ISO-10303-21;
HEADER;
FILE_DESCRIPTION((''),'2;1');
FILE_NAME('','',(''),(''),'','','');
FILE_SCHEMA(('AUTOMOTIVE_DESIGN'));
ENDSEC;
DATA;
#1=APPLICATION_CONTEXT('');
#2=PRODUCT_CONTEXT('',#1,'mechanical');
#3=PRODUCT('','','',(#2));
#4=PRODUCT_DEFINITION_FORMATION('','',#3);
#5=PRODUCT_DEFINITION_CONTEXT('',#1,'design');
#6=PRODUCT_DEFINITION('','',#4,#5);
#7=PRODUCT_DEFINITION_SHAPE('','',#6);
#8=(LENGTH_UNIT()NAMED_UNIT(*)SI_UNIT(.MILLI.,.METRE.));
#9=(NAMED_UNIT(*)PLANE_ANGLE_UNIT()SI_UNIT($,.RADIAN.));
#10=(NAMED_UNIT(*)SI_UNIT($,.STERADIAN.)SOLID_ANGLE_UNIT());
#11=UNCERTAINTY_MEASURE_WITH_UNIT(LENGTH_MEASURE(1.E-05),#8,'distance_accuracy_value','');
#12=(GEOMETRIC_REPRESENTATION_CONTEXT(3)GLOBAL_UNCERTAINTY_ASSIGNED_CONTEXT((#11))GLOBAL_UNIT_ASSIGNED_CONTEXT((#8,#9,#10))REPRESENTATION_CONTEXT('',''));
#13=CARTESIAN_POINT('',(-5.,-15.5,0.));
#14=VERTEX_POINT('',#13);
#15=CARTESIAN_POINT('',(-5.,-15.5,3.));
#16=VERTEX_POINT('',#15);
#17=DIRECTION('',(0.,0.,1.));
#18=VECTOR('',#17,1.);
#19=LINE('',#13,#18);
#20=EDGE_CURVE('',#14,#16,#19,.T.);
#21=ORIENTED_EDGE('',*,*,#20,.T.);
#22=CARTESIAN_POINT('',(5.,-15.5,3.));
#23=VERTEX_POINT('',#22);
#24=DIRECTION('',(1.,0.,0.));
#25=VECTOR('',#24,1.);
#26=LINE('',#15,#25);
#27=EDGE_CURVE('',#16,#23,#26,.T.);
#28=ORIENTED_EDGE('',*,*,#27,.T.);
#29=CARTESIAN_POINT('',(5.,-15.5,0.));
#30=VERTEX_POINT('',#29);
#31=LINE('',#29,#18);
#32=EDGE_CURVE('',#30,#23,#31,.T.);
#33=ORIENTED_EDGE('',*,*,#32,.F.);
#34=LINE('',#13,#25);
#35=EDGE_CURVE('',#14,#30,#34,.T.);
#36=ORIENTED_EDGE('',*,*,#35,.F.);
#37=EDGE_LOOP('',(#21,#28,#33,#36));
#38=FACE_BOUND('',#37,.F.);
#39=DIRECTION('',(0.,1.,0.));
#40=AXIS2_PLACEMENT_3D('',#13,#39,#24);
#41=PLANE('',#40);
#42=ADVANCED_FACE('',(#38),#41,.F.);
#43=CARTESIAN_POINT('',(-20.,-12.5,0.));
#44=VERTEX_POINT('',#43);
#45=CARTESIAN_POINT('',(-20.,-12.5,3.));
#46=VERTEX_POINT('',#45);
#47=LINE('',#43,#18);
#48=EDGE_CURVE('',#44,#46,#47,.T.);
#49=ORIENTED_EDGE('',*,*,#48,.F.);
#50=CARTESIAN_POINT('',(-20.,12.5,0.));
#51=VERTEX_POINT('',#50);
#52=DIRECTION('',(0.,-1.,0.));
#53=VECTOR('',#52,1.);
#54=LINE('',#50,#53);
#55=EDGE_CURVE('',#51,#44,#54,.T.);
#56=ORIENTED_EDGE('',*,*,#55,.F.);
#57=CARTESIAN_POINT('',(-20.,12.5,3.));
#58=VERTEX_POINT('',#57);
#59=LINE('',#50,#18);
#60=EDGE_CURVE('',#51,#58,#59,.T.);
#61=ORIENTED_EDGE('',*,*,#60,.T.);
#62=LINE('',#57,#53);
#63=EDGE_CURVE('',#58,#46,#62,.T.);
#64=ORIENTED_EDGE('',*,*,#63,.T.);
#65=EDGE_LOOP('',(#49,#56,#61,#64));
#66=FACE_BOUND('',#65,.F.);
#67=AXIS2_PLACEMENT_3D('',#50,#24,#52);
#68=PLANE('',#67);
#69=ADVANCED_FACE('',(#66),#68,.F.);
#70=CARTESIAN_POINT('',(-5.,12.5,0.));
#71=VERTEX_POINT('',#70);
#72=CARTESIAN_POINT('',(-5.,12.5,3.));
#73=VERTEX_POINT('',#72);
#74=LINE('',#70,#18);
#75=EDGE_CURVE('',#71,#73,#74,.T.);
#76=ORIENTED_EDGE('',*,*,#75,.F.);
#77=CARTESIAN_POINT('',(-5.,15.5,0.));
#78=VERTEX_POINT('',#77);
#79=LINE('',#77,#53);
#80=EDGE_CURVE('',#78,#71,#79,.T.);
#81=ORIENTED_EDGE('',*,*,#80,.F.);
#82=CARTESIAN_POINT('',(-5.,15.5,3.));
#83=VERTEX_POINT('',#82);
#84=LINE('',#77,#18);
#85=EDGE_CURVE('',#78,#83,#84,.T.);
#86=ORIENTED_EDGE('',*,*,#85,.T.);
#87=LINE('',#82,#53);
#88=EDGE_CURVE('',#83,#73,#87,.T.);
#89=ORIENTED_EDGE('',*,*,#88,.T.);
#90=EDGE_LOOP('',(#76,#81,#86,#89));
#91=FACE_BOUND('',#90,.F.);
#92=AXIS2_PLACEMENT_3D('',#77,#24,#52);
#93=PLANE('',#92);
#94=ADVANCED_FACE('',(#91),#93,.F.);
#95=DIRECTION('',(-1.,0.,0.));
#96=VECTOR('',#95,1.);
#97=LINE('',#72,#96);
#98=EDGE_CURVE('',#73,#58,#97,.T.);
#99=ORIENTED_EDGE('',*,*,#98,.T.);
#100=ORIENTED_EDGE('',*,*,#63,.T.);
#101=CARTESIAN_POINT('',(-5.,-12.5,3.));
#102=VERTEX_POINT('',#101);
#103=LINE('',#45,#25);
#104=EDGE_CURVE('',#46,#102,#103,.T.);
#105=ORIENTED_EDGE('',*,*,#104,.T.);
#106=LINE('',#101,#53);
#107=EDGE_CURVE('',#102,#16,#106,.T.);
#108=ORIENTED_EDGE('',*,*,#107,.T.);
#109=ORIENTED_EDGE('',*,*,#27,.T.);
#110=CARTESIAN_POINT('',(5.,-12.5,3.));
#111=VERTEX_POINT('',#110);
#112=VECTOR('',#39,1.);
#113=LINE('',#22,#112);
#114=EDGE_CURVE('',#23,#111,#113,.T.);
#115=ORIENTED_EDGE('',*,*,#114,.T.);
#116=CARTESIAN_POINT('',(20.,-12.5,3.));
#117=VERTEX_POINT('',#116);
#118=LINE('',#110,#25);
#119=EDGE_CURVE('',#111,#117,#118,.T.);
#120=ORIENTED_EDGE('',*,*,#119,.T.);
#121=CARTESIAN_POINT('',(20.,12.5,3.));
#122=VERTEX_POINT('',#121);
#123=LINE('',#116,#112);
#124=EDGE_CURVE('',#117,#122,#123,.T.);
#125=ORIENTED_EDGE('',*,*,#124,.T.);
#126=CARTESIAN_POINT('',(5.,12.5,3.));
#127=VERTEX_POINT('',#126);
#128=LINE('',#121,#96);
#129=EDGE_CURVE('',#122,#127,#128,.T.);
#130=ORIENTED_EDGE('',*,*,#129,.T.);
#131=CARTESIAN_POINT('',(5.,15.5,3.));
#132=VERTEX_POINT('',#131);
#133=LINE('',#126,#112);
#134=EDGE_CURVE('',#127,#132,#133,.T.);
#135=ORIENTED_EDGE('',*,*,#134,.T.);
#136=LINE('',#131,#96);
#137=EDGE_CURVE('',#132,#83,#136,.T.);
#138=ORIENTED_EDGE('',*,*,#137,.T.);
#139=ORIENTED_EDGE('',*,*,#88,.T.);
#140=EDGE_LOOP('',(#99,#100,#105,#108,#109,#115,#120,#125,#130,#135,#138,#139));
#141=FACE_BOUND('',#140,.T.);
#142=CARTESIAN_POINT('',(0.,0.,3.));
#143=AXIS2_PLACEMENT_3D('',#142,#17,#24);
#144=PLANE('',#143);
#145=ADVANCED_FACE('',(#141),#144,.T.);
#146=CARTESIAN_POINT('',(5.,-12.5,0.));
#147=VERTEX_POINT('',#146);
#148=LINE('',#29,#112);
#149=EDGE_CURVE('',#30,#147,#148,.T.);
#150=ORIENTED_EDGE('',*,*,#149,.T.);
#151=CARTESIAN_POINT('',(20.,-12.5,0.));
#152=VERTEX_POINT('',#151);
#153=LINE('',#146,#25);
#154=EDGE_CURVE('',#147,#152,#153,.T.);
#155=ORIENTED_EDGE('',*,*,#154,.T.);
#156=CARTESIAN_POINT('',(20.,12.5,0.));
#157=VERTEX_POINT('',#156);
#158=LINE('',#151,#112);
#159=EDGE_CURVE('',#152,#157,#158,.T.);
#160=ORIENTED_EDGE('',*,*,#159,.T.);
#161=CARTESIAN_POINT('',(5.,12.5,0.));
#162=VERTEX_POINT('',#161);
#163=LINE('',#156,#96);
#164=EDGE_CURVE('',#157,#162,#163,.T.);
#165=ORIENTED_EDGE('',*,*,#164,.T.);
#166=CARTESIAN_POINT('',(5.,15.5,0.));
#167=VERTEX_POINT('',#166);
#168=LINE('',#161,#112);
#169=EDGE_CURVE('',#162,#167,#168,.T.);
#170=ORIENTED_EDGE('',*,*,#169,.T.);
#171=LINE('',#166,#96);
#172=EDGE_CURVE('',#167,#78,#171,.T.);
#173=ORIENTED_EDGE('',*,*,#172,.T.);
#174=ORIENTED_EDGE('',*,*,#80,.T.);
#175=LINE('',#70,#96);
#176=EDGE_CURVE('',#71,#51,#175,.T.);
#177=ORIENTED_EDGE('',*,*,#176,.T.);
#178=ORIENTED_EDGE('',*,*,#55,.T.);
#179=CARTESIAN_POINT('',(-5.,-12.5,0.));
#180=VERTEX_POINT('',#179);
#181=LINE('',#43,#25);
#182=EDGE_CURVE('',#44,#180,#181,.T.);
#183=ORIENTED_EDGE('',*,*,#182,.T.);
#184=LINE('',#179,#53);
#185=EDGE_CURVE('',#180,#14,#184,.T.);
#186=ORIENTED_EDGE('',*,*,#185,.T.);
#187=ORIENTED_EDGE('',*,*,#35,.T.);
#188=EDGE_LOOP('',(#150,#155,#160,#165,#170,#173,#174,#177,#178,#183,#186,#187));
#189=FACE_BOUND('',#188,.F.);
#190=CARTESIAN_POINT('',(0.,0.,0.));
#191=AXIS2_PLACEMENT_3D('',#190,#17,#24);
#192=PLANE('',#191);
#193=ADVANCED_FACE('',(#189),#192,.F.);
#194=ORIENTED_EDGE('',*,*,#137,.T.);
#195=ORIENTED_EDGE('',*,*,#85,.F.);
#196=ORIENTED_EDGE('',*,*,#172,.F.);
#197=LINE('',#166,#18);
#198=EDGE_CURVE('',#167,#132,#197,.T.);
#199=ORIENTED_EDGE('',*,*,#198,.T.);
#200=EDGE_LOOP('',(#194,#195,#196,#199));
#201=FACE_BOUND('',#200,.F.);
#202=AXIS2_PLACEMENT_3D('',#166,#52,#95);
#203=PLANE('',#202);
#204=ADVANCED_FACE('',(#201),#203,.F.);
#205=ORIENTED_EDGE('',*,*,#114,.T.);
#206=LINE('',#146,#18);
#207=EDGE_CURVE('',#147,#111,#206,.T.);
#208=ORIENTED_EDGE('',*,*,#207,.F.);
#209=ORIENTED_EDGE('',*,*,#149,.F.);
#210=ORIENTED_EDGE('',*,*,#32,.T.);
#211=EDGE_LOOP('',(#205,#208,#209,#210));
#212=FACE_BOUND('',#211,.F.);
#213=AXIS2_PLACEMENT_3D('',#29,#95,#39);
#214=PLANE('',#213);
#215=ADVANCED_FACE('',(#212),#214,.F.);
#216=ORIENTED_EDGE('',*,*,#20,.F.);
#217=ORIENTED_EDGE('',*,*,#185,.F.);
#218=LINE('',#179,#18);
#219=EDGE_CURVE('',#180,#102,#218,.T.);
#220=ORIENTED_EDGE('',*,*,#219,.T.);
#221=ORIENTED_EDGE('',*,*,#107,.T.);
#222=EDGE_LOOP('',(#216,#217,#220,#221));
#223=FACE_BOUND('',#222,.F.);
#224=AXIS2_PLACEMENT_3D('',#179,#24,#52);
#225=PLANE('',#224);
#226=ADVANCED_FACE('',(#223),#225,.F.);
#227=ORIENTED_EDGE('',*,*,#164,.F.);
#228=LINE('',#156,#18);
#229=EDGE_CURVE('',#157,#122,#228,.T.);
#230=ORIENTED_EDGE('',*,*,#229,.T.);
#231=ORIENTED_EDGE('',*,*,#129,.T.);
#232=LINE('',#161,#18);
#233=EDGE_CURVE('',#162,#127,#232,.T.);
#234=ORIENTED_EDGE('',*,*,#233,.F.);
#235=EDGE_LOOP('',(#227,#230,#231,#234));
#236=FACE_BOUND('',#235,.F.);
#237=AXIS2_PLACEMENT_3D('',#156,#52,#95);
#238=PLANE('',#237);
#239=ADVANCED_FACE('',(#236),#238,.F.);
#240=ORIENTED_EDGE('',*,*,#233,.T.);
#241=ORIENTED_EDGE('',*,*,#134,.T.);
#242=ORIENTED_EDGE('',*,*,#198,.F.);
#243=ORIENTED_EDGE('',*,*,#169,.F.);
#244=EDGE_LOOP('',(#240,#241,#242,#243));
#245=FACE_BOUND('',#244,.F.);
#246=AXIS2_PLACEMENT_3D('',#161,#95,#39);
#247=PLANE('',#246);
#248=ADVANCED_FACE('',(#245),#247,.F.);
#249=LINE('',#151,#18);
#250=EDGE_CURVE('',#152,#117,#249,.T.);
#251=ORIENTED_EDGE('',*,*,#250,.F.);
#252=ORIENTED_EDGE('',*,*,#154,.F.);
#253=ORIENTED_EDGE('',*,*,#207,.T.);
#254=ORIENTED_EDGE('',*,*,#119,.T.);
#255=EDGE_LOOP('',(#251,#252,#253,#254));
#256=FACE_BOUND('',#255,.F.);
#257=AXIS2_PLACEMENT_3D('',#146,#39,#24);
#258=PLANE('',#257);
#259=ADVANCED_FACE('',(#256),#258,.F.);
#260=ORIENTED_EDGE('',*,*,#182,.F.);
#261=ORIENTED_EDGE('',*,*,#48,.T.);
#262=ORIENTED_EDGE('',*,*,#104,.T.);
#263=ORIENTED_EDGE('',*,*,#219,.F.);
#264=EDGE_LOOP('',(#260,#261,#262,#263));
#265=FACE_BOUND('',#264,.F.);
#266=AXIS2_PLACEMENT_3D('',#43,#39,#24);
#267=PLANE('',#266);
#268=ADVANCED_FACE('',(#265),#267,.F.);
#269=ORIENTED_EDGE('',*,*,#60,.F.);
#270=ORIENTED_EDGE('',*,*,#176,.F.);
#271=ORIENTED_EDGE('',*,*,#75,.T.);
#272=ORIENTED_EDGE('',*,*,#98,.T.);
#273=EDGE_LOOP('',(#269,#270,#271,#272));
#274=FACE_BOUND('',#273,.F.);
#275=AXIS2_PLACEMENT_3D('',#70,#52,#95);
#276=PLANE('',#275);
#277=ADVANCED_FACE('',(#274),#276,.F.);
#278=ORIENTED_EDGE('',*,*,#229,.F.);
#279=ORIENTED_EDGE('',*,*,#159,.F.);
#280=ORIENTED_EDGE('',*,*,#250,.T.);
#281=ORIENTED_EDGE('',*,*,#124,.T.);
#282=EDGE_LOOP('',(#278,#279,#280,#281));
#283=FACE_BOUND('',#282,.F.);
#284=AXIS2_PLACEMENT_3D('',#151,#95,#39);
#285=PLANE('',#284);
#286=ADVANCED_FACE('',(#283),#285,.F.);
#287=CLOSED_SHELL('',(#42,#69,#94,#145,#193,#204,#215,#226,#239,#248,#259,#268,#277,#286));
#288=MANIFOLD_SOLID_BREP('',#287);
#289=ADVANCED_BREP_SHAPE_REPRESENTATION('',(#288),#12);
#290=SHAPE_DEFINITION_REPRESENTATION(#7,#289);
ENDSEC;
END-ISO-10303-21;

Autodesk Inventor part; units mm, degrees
ref_plane "YZ Plane" through (0, 0, 0) normal (1, 0, 0) x (0, 1, 0)
ref_plane "XZ Plane" through (0, 0, 0) normal (0, 1, 0) x (-1, 0, 0)
ref_plane "XY Plane" through (0, 0, 0) normal (0, 0, 1) x (1, 0, 0)
sketch "Boceto1" plane through (0, 0, 0) normal (0, 0, 1) x (1, 0, 0)
  line L0 (20, 12.5) -> (5, 12.5)
  line L1 (5, 12.5) -> (5, 15.5)
  line L2 (5, 15.5) -> (-5, 15.5)
  line L3 (-5, 15.5) -> (-5, 12.5)
  line L4 (-5, 12.5) -> (-20, 12.5)
  line L5 (-20, 12.5) -> (-20, -12.5)
  line L6 (-20, -12.5) -> (-5, -12.5)
  line L7 (-5, -12.5) -> (-5, -15.5)
  line L8 (-5, -15.5) -> (5, -15.5)
  line L9 (5, -15.5) -> (5, -12.5)
  line L10 (5, -12.5) -> (20, -12.5)
  line L11 (20, -12.5) -> (20, 12.5)
extrude "Extrusión1" add sketch "Boceto1" along normal blind 3
properties part number "Battery_Wall2" material "MDF Tablero de fibras de densidad media"
